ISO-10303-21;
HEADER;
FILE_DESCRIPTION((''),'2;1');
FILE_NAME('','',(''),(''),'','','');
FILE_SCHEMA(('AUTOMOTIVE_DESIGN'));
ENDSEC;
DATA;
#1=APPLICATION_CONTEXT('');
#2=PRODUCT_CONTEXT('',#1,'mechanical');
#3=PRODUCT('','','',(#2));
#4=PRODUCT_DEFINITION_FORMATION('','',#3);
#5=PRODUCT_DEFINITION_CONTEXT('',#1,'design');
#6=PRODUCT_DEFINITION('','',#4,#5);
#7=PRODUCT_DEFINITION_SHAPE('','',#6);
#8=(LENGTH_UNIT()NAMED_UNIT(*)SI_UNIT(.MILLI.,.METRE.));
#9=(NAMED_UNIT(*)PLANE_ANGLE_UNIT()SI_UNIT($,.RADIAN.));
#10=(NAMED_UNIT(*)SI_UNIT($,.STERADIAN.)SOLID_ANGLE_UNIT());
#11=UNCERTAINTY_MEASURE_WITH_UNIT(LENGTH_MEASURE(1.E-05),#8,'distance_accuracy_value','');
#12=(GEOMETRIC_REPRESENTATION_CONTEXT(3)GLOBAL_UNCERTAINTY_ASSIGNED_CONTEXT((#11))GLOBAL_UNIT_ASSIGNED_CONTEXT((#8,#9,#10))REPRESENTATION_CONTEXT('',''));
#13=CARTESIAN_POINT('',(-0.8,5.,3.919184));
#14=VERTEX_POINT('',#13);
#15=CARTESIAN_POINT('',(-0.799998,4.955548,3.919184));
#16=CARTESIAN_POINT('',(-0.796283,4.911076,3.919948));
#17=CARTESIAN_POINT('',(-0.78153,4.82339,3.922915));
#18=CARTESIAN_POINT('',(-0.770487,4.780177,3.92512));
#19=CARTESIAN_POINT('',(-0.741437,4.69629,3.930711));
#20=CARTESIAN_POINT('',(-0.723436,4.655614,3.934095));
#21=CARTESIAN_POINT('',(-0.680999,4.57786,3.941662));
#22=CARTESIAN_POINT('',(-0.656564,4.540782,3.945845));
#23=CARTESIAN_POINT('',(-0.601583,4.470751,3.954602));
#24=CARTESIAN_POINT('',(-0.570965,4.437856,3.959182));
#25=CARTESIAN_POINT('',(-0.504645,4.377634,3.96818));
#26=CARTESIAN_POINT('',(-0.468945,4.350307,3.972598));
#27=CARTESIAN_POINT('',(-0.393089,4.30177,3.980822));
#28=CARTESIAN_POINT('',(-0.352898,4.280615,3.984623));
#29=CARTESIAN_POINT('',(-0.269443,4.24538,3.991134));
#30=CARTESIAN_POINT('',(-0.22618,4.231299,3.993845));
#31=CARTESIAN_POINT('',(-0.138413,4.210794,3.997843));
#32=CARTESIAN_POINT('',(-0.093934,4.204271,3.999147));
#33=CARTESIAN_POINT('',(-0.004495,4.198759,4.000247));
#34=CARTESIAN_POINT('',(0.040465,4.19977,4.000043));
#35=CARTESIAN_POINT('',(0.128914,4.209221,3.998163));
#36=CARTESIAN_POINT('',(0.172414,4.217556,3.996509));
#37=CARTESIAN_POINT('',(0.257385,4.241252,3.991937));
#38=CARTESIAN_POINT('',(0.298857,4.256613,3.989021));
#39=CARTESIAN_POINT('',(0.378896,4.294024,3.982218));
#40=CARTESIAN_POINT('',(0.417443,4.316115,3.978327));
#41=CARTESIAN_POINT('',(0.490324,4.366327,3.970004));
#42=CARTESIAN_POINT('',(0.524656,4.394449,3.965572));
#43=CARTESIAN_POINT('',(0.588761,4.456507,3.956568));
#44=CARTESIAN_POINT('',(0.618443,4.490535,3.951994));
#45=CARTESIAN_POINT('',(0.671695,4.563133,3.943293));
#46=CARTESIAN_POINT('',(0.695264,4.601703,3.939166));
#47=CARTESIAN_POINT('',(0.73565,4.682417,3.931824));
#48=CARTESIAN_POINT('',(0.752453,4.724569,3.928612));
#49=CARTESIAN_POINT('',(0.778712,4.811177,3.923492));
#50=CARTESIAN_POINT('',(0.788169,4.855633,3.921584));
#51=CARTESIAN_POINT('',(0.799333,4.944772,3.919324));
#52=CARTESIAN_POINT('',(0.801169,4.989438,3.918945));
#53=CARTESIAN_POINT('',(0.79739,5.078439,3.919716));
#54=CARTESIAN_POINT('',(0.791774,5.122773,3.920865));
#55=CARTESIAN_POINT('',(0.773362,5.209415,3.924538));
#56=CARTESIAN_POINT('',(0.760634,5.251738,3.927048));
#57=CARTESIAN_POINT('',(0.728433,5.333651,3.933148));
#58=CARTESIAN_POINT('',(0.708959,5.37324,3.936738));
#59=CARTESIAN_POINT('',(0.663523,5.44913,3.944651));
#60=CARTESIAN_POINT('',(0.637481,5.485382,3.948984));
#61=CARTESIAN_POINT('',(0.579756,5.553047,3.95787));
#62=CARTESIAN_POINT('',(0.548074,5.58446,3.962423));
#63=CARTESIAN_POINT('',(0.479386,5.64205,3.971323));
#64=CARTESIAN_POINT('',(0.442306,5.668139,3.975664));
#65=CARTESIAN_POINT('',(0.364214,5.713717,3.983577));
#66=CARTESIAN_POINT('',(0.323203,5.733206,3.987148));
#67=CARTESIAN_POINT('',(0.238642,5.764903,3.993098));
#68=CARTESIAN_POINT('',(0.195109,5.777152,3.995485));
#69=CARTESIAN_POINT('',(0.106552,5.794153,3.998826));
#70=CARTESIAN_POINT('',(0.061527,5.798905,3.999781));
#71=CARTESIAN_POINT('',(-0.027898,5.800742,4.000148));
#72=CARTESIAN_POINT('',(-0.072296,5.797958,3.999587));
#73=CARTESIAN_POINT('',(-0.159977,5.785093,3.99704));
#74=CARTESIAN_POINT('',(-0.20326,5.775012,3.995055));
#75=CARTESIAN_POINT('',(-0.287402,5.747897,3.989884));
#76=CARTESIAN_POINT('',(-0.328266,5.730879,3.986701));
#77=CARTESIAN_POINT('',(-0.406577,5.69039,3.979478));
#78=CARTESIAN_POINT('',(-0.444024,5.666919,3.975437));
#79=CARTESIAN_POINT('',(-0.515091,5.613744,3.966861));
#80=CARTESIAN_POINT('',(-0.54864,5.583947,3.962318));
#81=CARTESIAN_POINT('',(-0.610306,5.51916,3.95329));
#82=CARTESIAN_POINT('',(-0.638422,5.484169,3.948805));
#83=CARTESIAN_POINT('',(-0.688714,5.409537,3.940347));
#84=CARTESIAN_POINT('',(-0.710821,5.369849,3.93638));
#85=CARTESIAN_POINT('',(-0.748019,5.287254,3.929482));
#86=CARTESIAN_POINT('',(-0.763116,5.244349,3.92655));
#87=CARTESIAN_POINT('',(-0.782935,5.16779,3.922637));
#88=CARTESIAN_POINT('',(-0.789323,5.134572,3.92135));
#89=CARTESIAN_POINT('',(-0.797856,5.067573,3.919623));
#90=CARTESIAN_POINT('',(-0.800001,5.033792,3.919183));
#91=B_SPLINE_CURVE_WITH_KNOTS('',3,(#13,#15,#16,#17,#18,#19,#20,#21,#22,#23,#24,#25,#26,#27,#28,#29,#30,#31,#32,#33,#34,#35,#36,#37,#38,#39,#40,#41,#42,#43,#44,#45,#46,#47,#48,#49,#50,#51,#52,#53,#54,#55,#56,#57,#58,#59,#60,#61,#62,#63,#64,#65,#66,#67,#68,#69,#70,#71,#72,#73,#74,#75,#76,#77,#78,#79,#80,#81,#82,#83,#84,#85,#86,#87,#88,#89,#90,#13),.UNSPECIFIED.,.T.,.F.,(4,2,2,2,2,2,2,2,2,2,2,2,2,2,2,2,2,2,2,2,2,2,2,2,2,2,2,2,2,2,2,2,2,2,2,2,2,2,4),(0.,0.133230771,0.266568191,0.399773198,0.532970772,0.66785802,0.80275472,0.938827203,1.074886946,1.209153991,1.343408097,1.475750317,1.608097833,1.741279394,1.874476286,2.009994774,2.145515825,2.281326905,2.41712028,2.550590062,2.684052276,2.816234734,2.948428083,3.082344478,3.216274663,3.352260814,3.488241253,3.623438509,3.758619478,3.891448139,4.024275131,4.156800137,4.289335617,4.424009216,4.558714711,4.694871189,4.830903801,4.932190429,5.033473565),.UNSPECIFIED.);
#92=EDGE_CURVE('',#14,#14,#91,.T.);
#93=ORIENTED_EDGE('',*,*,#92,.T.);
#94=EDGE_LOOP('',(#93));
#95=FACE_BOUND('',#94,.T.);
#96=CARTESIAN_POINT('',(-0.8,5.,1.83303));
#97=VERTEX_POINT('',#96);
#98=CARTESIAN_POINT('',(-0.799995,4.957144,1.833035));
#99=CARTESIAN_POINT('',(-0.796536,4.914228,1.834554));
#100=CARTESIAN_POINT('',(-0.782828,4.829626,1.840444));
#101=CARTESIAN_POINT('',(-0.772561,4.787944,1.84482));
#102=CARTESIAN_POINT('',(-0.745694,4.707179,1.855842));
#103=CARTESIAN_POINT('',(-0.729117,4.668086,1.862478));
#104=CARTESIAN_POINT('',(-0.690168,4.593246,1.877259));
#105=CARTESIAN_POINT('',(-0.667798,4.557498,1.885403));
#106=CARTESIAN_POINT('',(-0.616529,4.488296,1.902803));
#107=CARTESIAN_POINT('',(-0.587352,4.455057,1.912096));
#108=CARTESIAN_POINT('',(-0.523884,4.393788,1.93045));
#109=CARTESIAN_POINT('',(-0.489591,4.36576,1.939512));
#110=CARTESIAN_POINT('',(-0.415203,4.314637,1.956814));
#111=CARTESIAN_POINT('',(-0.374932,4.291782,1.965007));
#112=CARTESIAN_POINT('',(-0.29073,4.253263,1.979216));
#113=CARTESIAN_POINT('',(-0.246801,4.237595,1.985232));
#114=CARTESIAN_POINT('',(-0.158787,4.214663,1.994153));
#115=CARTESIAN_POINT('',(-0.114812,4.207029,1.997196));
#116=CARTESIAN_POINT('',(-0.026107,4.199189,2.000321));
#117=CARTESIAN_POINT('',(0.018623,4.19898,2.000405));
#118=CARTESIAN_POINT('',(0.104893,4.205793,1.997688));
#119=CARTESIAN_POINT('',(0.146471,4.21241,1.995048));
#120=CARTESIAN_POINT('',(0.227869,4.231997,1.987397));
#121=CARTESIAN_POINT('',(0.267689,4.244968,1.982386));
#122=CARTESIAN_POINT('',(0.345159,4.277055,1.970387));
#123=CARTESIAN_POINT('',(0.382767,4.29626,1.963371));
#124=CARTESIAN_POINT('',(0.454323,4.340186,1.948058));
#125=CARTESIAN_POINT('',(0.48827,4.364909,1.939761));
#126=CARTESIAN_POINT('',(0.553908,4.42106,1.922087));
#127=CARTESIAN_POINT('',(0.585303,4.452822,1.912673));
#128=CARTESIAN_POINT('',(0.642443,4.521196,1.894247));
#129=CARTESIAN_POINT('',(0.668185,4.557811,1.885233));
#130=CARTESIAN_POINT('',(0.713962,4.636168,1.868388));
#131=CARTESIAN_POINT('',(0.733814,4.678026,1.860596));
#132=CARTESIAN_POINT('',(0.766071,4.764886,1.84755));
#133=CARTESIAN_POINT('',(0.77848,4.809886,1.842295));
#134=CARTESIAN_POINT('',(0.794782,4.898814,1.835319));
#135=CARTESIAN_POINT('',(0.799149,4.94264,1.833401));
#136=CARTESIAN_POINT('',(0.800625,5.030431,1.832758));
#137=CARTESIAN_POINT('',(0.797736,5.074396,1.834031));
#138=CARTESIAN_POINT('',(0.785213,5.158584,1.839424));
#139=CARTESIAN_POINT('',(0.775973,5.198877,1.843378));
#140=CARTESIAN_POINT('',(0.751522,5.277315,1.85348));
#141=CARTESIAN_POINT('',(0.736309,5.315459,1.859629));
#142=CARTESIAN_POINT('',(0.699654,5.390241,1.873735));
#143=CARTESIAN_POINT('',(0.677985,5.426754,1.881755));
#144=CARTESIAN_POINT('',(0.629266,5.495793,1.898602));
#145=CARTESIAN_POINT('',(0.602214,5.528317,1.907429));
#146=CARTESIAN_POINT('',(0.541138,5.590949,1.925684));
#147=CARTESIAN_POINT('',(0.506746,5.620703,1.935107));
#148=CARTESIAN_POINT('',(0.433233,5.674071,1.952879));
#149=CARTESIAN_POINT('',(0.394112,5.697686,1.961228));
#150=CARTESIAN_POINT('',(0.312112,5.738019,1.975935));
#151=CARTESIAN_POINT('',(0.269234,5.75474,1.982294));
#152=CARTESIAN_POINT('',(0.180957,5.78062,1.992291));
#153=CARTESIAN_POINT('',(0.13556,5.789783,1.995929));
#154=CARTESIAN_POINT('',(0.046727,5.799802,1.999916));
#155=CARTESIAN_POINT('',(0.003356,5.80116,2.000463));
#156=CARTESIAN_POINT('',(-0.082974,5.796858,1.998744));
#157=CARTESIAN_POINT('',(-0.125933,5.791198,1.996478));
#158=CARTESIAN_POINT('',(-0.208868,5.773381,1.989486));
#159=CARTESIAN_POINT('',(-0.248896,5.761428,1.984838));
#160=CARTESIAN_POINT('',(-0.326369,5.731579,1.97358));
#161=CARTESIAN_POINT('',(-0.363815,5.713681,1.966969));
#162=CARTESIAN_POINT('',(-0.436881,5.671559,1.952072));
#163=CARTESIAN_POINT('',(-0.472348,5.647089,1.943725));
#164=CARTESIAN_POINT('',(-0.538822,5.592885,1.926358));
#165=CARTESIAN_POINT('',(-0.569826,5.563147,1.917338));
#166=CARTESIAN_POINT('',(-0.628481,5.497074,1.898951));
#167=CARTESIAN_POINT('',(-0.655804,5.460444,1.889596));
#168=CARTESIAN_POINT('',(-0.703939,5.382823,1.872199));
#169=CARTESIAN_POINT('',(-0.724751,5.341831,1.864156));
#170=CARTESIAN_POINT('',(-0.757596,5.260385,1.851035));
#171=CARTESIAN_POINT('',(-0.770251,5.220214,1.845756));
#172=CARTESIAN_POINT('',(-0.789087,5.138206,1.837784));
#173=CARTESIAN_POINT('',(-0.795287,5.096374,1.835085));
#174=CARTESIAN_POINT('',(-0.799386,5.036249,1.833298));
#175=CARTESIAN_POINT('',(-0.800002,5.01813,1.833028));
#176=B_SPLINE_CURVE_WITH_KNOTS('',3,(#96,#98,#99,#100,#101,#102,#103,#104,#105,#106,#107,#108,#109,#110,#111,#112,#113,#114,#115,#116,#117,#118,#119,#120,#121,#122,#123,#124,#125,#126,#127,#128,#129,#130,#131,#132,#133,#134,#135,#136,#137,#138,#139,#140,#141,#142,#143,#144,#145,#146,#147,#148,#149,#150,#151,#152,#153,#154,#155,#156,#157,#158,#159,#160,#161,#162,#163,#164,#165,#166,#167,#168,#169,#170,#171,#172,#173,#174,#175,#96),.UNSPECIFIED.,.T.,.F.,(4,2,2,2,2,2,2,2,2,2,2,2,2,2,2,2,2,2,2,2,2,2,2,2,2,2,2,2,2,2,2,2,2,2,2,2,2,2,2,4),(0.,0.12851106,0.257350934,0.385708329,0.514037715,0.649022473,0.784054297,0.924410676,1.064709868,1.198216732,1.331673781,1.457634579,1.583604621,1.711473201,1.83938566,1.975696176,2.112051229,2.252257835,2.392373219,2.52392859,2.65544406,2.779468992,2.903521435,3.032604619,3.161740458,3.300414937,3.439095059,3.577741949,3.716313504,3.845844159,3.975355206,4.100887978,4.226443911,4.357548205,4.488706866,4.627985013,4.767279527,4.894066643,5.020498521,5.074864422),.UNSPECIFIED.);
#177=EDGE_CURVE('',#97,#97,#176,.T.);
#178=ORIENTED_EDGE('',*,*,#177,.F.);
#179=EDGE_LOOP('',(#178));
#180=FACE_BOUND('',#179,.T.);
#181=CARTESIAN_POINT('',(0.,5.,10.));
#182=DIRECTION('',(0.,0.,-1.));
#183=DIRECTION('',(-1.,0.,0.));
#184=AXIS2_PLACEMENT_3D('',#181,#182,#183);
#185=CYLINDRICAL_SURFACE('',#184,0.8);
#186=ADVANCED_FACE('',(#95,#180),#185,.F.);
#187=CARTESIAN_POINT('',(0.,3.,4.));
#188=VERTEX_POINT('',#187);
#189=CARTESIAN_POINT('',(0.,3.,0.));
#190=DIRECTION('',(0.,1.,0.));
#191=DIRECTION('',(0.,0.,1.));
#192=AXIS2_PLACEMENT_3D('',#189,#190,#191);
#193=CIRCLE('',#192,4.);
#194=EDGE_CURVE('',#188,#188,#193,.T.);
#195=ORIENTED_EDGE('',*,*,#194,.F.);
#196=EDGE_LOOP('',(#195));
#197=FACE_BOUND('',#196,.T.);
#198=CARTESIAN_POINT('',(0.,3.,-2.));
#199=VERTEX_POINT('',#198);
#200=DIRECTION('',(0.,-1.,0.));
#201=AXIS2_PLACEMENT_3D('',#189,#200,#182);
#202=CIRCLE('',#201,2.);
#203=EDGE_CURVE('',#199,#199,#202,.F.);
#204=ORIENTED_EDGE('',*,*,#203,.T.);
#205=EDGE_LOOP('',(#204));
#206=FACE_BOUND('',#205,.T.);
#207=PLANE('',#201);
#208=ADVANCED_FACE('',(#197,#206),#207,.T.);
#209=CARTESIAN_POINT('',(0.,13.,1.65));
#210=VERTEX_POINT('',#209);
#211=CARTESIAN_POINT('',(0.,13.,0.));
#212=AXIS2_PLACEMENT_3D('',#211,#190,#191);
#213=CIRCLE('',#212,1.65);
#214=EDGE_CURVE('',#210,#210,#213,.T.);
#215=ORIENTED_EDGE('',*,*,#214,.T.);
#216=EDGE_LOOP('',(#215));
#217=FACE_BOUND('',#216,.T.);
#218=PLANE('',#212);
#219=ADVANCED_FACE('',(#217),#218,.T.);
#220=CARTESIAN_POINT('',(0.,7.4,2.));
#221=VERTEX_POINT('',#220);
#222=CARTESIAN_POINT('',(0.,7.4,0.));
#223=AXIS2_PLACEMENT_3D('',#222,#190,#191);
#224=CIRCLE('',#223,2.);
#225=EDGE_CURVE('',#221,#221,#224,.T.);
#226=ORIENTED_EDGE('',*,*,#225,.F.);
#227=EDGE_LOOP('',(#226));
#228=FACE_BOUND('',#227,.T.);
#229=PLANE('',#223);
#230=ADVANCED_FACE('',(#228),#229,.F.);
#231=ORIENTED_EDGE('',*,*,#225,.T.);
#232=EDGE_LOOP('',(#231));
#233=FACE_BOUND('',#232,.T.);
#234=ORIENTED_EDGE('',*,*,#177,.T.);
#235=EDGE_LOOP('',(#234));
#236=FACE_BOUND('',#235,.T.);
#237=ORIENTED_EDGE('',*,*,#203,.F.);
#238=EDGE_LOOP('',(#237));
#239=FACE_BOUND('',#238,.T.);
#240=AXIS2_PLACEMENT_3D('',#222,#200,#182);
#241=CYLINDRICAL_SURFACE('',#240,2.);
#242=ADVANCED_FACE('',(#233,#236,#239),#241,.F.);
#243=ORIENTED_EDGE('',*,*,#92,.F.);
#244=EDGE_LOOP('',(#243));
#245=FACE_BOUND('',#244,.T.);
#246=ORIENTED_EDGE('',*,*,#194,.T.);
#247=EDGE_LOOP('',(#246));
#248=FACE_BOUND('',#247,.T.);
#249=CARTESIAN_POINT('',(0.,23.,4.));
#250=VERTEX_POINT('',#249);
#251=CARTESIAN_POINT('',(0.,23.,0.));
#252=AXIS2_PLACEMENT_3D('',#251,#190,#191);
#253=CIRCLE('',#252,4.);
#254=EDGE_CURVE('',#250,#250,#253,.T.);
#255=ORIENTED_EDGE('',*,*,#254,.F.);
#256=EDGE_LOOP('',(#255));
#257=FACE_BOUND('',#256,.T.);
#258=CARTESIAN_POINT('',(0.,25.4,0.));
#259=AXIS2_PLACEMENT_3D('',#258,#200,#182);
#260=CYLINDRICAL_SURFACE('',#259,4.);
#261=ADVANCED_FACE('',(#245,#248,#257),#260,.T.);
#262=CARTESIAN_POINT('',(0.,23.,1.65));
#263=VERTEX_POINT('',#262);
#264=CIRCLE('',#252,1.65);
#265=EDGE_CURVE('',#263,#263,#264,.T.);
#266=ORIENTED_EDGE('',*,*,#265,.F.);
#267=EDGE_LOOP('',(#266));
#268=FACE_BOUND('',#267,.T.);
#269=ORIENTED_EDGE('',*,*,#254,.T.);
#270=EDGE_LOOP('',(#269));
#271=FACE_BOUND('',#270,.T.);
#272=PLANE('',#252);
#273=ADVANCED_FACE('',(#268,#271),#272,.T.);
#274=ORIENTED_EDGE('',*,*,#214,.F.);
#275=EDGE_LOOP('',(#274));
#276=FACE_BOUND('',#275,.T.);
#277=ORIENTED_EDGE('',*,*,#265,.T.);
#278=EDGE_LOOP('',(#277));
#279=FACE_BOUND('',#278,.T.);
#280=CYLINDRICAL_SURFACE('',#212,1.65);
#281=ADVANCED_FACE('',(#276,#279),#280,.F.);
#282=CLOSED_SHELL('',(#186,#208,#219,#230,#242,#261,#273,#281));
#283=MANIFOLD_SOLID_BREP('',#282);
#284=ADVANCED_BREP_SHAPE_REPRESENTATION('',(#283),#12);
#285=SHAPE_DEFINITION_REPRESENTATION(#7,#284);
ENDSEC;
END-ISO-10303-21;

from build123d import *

# Parameters (mm, degrees)
CROQUIS1_R              = 4
CROQUIS1_R_2            = 2
SALIENTE_EXTRUIR1_DEPTH = 25.4
CROQUIS2_R              = 30
SALIENTE_EXTRUIR2_DEPTH = 5
CROQUIS3_R              = 2
CORTAR_EXTRUIR1_DEPTH   = 7.5
CROQUIS7_R              = 3.5
CORTAR_EXTRUIR3_DEPTH   = 3
CROQUIS8_W              = 62.698346187
CROQUIS8_H              = 3
CORTAR_EXTRUIR5_DEPTH   = 15
CROQUIS1_3_R            = 2
CORTAR_EXTRUIR6_DEPTH   = 7.4
CROQUIS6_R              = 0.8
CORTAR_EXTRUIR7_DEPTH   = 10
CROQUIS10_R             = 30
CORTAR_EXTRUIR8_DEPTH   = 7.4
CROQUIS11_R             = 1.65
CORTAR_EXTRUIR9_DEPTH   = 10


with BuildPart() as part:
    # Croquis1 → Saliente-Extruir1 (new body)
    with BuildSketch(Plane(origin=(0, 0, 0), x_dir=(1, 0, 0), z_dir=(0, 1, 0))):
        with Locations(Location((0, 0, 0), (0, 0, 270))):
            Circle(CROQUIS1_R)
        Circle(CROQUIS1_R_2, mode=Mode.SUBTRACT)
        Circle(CROQUIS1_R_2)
    extrude(amount=SALIENTE_EXTRUIR1_DEPTH)

    # Croquis2 → Saliente-Extruir2 (add)
    with BuildSketch(Plane(origin=(0, 25.4, 0), x_dir=(1, 0, 0), z_dir=(0, 1, 0))):
        with Locations(Location((0, 0, 0), (0, 0, 270))):
            Circle(CROQUIS2_R)
    extrude(amount=SALIENTE_EXTRUIR2_DEPTH)

    # Croquis3 → Cortar-Extruir1 (cut)
    with BuildSketch(Plane(origin=(0, 30.4, 0), x_dir=(1, 0, 0), z_dir=(0, 1, 0))):
        with Locations(Location((0, 10, 0), (0, 0, 270))):
            Circle(CROQUIS3_R)
        with Locations(Location((10, 0, 0), (0, 0, 270))):
            Circle(CROQUIS3_R)
        with Locations(Location((0, -10, 0), (0, 0, 270))):
            Circle(CROQUIS3_R)
        with Locations(Location((-10, 0, 0), (0, 0, 270))):
            Circle(CROQUIS3_R)
    extrude(amount=-CORTAR_EXTRUIR1_DEPTH, mode=Mode.SUBTRACT)

    # Croquis7 → Cortar-Extruir3 (cut)
    with BuildSketch(Plane.XZ):
        with Locations(Location((0, 0, 0), (0, 0, 270))):
            Circle(CROQUIS7_R)
    extrude(amount=-CORTAR_EXTRUIR3_DEPTH, mode=Mode.SUBTRACT)

    # Croquis8 → Cortar-Extruir5 (cut, symmetric)
    with BuildSketch(Plane(origin=(0, 0, 0), x_dir=(0, 0, -1), z_dir=(1, 0, 0))):
        with Locations((4.276742622, 1.5)):
            Rectangle(CROQUIS8_W, CROQUIS8_H)
    extrude(amount=CORTAR_EXTRUIR5_DEPTH, both=True, mode=Mode.SUBTRACT)

    # Croquis1<3> → Cortar-Extruir6 (cut)
    with BuildSketch(Plane(origin=(0, 0, 0), x_dir=(1, 0, 0), z_dir=(0, 1, 0))):
        with Locations(Location((0, 0, 0), (0, 0, 90))):
            Circle(CROQUIS1_3_R)
    extrude(amount=CORTAR_EXTRUIR6_DEPTH, mode=Mode.SUBTRACT)

    # Croquis6 → Cortar-Extruir7 (cut)
    with BuildSketch(Plane.XY):
        with Locations(Location((0, 5, 0), (0, 0, 180))):
            Circle(CROQUIS6_R)
    extrude(amount=CORTAR_EXTRUIR7_DEPTH, mode=Mode.SUBTRACT)

    # Croquis10 → Cortar-Extruir8 (cut)
    with BuildSketch(Plane(origin=(0, 30.4, 0), x_dir=(1, 0, 0), z_dir=(0, 1, 0))):
        Circle(CROQUIS10_R)
    extrude(amount=-CORTAR_EXTRUIR8_DEPTH, mode=Mode.SUBTRACT)

    # Croquis11 → Cortar-Extruir9 (cut)
    with BuildSketch(Plane(origin=(0, 23, 0), x_dir=(1, 0, 0), z_dir=(0, 1, 0))):
        with Locations(Location((0, 0, 0), (0, 0, 270))):
            Circle(CROQUIS11_R)
    extrude(amount=-CORTAR_EXTRUIR9_DEPTH, mode=Mode.SUBTRACT)


solid = part.part
